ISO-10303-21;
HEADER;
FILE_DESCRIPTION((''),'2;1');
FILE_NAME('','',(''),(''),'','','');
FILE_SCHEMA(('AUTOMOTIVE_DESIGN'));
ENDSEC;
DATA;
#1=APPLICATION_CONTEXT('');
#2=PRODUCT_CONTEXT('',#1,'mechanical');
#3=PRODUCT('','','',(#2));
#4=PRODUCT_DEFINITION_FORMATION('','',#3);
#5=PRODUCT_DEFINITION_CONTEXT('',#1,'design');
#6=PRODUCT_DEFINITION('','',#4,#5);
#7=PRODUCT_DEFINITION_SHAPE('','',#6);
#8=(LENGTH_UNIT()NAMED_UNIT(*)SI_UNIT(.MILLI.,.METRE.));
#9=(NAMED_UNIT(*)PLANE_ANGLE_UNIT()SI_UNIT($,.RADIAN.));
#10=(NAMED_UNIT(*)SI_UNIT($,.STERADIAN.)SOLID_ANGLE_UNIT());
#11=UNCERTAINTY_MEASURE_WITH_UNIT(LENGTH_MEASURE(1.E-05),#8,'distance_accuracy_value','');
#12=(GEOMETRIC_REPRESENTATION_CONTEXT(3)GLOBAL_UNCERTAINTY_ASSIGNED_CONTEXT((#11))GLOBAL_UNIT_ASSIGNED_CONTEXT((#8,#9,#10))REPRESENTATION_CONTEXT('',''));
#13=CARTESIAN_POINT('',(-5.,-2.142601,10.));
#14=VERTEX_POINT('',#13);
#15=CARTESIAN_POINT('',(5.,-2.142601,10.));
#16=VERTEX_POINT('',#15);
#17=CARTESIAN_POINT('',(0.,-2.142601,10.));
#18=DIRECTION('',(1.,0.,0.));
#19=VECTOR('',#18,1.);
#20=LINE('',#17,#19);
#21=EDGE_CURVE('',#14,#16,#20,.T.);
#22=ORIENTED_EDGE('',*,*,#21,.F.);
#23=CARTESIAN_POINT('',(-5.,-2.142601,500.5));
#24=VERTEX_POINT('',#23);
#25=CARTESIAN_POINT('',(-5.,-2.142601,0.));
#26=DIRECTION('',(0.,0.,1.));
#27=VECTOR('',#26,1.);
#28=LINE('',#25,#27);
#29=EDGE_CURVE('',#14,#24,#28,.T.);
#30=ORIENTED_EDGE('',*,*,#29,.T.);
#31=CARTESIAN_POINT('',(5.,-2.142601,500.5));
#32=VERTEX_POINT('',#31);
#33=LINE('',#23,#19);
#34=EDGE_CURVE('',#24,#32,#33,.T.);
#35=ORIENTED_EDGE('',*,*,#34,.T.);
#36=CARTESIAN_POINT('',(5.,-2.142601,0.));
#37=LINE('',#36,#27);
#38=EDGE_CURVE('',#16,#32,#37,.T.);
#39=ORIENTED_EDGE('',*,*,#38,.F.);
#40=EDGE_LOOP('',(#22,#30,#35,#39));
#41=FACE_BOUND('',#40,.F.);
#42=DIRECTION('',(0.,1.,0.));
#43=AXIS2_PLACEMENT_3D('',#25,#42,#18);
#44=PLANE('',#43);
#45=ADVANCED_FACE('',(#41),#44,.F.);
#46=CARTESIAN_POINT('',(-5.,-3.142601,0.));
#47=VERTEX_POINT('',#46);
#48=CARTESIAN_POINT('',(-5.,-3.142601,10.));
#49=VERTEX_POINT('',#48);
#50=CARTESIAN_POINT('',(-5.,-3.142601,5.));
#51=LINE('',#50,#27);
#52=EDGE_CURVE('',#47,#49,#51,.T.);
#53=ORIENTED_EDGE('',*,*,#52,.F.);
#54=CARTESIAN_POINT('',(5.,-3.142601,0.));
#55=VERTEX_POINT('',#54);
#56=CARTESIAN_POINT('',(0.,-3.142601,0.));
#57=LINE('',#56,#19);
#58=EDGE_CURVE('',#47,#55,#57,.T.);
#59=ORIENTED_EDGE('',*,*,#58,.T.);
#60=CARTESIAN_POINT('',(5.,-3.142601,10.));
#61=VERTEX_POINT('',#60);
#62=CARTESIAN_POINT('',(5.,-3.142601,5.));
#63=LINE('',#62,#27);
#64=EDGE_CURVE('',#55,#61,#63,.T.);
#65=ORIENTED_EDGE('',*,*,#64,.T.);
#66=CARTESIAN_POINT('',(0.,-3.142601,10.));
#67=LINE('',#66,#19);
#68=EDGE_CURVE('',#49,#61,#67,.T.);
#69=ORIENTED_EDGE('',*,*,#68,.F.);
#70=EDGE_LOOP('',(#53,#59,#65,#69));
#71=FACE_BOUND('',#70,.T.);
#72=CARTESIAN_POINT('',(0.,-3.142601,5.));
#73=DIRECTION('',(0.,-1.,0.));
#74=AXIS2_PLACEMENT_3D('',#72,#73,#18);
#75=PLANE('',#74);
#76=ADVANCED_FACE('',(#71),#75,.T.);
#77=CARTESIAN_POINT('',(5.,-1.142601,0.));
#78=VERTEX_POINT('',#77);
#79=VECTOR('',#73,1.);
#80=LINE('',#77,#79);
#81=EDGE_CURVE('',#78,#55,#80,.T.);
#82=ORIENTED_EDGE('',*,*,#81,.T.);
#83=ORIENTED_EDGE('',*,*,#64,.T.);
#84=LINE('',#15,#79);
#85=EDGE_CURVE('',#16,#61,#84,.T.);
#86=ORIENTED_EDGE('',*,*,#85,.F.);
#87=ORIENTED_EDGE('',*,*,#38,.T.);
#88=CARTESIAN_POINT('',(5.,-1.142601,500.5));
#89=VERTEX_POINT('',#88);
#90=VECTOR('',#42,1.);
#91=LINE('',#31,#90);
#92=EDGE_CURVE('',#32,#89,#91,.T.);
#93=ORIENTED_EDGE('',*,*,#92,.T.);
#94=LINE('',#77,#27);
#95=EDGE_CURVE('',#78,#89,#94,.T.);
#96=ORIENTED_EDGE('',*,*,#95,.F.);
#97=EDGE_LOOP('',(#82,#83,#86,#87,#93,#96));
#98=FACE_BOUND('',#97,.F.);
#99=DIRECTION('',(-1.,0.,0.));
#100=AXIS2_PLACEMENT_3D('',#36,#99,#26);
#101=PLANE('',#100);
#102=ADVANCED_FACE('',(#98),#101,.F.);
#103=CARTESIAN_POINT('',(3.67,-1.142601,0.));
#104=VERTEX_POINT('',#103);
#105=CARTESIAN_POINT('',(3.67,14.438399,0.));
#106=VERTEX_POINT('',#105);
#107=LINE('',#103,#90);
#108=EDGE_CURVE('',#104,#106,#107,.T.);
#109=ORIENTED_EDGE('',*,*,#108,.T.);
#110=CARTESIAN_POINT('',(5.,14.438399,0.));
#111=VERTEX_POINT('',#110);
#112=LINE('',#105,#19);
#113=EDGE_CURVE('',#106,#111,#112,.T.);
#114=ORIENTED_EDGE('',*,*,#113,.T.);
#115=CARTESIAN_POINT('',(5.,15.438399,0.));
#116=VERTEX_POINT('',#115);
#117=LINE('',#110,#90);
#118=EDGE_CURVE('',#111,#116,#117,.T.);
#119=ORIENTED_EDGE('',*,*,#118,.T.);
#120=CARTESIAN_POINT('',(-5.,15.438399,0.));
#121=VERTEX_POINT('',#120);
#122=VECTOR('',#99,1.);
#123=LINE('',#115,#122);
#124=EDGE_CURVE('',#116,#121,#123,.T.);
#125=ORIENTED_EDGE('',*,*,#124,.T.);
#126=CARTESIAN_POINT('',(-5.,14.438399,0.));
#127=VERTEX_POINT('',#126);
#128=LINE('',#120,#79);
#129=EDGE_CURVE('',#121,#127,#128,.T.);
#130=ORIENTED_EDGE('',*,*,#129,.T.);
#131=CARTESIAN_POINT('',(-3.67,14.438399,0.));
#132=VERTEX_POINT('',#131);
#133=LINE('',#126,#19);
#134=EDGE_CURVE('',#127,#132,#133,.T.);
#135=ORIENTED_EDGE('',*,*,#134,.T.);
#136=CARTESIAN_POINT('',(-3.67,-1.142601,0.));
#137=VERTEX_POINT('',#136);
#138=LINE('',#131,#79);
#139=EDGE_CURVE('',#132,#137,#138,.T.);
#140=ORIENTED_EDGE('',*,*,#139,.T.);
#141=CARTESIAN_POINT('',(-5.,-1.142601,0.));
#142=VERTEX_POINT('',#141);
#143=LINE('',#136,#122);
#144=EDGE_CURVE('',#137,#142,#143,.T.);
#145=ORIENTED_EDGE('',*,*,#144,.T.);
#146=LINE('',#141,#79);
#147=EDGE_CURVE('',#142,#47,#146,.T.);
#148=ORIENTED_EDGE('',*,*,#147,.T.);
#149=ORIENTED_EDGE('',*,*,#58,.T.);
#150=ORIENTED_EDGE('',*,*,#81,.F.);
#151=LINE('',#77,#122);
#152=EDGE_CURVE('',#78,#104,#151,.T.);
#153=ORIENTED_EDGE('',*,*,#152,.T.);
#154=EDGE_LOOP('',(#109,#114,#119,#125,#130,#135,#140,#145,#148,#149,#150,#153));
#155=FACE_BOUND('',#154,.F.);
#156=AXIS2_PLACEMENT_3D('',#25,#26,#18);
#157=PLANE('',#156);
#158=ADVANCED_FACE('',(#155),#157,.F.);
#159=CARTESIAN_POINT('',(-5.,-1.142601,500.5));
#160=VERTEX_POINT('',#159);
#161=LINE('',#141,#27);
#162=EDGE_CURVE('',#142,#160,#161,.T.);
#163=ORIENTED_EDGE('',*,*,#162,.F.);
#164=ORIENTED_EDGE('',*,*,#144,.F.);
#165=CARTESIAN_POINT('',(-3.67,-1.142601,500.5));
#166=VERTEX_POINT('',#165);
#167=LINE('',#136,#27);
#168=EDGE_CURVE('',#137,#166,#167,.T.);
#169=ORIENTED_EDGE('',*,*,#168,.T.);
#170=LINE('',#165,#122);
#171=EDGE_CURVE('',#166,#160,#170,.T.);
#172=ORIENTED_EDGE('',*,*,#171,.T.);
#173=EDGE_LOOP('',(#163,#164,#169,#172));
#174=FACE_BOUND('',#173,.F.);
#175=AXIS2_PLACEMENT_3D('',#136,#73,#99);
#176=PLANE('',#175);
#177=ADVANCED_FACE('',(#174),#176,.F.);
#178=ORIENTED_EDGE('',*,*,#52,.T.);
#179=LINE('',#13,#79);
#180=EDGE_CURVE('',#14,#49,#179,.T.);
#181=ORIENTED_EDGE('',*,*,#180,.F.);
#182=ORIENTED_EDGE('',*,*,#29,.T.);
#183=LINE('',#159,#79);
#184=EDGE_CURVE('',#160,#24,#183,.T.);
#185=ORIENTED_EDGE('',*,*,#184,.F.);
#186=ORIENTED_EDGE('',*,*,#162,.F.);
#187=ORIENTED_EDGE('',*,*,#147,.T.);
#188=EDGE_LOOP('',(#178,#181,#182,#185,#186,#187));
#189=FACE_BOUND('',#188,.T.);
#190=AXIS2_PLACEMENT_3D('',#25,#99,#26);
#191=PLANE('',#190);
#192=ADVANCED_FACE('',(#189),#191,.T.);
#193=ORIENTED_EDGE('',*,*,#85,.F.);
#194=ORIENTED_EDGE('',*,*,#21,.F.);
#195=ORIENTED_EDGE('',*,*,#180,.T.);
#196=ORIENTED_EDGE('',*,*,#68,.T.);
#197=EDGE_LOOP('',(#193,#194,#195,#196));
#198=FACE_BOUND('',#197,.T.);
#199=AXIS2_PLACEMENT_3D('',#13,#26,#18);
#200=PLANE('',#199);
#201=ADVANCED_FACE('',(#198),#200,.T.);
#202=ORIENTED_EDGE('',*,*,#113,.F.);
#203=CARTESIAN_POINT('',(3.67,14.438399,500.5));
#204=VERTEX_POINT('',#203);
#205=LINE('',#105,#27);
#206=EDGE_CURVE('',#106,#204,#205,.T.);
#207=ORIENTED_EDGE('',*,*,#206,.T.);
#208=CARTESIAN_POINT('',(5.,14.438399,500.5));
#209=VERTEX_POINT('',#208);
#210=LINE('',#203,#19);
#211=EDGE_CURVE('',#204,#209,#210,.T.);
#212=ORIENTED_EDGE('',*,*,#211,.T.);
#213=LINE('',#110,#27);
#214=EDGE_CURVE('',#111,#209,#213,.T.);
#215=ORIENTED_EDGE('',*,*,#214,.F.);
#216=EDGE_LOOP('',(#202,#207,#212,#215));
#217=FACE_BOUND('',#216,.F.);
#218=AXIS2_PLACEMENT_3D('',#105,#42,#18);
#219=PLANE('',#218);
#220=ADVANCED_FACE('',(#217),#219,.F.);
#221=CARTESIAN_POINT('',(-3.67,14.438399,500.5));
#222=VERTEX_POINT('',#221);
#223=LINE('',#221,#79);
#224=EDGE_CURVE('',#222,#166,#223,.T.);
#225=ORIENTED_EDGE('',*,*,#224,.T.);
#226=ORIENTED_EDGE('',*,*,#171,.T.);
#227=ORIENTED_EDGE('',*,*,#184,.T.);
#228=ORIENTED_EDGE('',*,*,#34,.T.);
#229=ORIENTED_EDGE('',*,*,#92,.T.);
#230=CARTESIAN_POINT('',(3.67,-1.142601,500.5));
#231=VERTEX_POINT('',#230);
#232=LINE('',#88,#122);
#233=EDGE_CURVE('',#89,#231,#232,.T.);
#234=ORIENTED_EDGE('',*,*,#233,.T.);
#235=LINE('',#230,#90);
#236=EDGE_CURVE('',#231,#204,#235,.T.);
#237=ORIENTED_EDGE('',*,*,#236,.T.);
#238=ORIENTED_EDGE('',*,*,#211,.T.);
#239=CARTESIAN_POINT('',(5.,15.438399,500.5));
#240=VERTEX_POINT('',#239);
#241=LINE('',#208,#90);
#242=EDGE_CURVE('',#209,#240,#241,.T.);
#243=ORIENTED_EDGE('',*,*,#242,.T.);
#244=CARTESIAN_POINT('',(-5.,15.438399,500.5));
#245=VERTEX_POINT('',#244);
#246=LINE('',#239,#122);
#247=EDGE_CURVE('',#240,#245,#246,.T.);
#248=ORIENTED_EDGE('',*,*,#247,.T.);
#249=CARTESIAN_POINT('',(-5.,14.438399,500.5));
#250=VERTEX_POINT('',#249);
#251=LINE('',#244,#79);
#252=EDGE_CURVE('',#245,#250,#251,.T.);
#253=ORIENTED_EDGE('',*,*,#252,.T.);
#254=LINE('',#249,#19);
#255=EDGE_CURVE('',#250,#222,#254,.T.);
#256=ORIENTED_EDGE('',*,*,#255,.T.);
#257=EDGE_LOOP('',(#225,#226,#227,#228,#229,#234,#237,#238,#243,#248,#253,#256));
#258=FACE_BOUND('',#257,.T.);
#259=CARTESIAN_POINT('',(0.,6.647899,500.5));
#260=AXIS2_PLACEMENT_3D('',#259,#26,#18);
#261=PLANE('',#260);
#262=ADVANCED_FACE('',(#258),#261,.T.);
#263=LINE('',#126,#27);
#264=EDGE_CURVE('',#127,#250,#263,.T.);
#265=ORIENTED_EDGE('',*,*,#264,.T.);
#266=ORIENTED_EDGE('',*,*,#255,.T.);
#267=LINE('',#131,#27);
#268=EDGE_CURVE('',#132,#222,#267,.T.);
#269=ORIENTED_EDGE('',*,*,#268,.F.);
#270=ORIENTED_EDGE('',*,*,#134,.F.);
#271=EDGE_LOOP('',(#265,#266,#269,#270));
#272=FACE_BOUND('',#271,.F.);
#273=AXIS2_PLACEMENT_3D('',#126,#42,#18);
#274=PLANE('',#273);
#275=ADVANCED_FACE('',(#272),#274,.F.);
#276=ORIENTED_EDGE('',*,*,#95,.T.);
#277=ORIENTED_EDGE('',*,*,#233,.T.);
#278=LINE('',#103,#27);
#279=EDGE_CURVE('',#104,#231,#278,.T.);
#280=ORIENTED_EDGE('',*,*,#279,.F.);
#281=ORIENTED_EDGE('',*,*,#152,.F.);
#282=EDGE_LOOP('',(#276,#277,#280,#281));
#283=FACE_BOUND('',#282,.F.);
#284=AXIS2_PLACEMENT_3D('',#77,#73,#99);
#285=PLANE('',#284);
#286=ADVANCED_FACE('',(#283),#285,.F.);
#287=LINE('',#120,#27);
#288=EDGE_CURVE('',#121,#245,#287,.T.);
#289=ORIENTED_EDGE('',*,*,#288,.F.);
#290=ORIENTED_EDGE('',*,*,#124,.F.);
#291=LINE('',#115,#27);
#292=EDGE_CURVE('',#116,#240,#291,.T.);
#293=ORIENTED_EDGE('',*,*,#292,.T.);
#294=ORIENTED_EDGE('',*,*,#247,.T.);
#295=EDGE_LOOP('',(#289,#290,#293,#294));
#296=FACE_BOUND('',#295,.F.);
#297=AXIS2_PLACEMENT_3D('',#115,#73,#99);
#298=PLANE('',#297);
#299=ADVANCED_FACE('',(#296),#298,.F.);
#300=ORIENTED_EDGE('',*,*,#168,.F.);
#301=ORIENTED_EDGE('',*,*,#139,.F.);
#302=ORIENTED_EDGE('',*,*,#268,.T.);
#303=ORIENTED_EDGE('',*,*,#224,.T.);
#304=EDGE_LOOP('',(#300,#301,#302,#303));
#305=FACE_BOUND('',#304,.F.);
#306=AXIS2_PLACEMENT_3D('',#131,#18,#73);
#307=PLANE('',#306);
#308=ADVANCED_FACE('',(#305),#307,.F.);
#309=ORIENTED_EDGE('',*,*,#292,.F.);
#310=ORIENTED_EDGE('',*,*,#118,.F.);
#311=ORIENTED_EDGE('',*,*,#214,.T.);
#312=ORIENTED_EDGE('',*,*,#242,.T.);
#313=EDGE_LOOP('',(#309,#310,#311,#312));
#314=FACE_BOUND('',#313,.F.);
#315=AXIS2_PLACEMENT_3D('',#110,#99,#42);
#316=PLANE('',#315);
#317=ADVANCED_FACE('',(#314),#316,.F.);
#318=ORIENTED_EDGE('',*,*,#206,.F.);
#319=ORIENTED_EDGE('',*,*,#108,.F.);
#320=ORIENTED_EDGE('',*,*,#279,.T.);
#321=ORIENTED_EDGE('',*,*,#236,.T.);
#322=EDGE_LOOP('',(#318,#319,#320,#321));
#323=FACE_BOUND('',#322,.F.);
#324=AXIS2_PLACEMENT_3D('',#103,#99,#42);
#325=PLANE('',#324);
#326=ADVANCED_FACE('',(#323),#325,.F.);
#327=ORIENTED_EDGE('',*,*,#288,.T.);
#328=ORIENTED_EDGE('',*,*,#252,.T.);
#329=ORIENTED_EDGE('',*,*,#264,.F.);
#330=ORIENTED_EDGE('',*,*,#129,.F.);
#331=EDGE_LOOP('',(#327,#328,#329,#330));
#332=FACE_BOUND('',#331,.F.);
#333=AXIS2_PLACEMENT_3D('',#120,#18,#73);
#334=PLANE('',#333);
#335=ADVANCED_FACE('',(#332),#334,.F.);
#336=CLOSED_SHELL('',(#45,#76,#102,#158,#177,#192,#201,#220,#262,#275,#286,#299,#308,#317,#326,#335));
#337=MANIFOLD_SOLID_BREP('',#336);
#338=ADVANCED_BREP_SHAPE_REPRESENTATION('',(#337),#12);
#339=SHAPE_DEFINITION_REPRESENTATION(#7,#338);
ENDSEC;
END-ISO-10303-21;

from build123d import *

# Parameters (mm, degrees)
F1_DEPTH = 500.5
F2_W     = 10
F2_H     = 10
F3_DEPTH = 1


with BuildPart() as f1:
    # F0 (on Top) → F1 (new body)
    with BuildSketch(Plane.XY):
        Polygon((5, 15.438399), (-5, 15.438399), (-5, 14.438399), (-3.67, 14.438399), (-3.67, -1.142601), (-5, -1.142601), (-5, -2.142601), (5, -2.142601), (5, -1.142601), (3.67, -1.142601), (3.67, 14.438399), (5, 14.438399), align=None)
    extrude(amount=F1_DEPTH)

    # F2 (on face) → F3 (join)
    with BuildSketch(Plane.XZ.offset(2.142601)):
        with Locations((0, 5)):
            Rectangle(F2_W, F2_H)
    extrude(amount=F3_DEPTH)


solid = f1.part
